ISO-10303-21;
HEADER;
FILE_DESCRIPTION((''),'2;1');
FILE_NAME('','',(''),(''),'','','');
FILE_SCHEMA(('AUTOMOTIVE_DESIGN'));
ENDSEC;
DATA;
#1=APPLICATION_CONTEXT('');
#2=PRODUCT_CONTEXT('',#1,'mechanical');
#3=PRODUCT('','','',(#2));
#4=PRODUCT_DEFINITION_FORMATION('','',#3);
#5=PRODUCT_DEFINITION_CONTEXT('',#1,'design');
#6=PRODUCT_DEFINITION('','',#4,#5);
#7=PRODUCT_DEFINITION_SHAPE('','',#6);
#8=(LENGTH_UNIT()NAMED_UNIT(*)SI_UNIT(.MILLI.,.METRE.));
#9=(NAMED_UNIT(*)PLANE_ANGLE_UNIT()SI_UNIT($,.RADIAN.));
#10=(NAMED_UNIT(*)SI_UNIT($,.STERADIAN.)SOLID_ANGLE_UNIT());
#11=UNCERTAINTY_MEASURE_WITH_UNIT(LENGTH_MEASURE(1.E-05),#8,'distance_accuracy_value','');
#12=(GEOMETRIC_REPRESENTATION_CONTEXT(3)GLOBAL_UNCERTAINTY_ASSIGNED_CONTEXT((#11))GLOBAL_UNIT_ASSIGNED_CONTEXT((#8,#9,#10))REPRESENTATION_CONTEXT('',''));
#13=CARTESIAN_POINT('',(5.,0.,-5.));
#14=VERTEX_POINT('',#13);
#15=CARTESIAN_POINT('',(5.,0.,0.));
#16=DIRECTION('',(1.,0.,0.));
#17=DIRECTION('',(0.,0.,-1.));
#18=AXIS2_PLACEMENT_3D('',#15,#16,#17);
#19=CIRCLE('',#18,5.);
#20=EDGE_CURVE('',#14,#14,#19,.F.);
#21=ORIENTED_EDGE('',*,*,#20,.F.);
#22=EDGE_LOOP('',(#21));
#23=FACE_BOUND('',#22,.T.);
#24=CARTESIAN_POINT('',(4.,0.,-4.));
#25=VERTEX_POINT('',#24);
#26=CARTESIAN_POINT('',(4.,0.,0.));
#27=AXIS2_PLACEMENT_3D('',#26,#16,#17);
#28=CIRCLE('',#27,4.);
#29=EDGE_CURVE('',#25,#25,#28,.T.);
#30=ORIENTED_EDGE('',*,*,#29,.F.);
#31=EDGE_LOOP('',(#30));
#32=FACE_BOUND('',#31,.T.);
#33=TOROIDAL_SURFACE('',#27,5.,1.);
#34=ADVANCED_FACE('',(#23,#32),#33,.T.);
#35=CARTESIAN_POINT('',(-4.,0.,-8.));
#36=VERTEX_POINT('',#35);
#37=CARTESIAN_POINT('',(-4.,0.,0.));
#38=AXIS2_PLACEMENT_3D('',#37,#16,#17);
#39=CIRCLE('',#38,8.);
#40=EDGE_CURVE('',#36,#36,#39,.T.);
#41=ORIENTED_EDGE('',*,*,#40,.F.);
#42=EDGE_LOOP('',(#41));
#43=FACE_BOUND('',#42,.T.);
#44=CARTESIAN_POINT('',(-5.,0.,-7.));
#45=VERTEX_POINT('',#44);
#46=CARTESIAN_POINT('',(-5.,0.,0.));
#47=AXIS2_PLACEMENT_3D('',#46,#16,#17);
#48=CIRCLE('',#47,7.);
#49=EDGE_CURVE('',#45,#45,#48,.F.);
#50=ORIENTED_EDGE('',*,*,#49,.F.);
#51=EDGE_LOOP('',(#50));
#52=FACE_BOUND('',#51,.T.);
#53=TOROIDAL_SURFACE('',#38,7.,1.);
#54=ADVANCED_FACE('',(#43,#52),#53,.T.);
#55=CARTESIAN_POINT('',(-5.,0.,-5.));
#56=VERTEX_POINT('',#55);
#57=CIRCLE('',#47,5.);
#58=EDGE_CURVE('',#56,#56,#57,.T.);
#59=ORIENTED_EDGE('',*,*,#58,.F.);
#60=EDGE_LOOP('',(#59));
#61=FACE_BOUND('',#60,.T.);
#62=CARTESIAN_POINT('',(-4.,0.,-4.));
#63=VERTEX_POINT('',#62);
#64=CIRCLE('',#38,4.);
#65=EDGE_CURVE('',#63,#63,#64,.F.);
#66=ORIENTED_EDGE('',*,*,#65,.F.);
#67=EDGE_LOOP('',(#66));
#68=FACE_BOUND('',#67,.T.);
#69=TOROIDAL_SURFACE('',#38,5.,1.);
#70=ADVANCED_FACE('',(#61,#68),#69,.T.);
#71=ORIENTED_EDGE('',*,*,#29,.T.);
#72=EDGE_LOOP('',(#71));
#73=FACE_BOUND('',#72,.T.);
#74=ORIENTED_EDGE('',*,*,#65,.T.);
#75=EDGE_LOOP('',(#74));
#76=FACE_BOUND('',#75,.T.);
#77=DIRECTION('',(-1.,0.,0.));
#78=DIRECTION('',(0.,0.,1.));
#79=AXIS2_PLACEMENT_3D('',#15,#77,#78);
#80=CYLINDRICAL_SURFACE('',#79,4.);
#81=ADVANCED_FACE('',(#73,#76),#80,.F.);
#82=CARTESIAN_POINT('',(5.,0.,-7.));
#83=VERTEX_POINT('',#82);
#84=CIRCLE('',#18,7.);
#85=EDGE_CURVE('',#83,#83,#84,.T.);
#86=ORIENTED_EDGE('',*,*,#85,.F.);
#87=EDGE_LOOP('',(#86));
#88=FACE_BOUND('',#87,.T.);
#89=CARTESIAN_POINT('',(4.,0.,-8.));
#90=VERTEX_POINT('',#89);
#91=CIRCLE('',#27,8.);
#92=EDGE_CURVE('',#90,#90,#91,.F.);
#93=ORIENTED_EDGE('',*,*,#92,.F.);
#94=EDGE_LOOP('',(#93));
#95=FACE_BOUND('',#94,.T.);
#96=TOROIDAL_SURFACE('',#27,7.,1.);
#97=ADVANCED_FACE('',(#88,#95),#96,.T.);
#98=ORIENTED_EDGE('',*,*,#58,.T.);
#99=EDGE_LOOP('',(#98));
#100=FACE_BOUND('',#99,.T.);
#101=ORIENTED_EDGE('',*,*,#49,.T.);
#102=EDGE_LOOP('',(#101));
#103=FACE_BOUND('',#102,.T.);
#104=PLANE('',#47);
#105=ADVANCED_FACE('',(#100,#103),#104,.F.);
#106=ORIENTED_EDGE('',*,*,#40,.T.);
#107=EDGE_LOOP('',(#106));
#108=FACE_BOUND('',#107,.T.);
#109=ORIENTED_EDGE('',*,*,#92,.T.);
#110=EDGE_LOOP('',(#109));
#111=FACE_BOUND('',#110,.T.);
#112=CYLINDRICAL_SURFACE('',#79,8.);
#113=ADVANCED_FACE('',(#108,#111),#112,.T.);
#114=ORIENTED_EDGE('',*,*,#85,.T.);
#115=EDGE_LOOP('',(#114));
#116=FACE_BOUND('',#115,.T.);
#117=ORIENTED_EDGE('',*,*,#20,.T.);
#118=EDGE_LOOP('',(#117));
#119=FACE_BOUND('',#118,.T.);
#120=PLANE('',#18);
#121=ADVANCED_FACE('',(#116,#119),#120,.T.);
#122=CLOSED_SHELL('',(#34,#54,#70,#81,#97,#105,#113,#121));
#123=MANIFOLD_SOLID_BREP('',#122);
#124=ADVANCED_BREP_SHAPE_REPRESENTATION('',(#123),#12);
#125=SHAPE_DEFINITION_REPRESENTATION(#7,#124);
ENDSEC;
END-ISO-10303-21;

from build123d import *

# Parameters (mm, degrees)
SKETCH_1_R      = 8
SKETCH_1_R_2    = 4
EXTRUDE_1_DEPTH = 5
FILLET_1_R      = 1


with BuildPart() as part:
    # 草图1 → 凸台-拉伸1 (new body, symmetric)
    with BuildSketch(Plane(origin=(0, 0, 0), x_dir=(0, 0, -1), z_dir=(1, 0, 0))):
        Circle(SKETCH_1_R)
        Circle(SKETCH_1_R_2, mode=Mode.SUBTRACT)
    extrude(amount=EXTRUDE_1_DEPTH, both=True)

    # 圆角1
    fillet_1_edges = [part.edges().sort_by_distance(p)[0] for p in [
        (-5, 0, 8),
        (5, 0, 8),
        (-5, 0, 4),
        (5, 0, 4),
    ]]
    fillet(fillet_1_edges, radius=FILLET_1_R)


solid = part.part
